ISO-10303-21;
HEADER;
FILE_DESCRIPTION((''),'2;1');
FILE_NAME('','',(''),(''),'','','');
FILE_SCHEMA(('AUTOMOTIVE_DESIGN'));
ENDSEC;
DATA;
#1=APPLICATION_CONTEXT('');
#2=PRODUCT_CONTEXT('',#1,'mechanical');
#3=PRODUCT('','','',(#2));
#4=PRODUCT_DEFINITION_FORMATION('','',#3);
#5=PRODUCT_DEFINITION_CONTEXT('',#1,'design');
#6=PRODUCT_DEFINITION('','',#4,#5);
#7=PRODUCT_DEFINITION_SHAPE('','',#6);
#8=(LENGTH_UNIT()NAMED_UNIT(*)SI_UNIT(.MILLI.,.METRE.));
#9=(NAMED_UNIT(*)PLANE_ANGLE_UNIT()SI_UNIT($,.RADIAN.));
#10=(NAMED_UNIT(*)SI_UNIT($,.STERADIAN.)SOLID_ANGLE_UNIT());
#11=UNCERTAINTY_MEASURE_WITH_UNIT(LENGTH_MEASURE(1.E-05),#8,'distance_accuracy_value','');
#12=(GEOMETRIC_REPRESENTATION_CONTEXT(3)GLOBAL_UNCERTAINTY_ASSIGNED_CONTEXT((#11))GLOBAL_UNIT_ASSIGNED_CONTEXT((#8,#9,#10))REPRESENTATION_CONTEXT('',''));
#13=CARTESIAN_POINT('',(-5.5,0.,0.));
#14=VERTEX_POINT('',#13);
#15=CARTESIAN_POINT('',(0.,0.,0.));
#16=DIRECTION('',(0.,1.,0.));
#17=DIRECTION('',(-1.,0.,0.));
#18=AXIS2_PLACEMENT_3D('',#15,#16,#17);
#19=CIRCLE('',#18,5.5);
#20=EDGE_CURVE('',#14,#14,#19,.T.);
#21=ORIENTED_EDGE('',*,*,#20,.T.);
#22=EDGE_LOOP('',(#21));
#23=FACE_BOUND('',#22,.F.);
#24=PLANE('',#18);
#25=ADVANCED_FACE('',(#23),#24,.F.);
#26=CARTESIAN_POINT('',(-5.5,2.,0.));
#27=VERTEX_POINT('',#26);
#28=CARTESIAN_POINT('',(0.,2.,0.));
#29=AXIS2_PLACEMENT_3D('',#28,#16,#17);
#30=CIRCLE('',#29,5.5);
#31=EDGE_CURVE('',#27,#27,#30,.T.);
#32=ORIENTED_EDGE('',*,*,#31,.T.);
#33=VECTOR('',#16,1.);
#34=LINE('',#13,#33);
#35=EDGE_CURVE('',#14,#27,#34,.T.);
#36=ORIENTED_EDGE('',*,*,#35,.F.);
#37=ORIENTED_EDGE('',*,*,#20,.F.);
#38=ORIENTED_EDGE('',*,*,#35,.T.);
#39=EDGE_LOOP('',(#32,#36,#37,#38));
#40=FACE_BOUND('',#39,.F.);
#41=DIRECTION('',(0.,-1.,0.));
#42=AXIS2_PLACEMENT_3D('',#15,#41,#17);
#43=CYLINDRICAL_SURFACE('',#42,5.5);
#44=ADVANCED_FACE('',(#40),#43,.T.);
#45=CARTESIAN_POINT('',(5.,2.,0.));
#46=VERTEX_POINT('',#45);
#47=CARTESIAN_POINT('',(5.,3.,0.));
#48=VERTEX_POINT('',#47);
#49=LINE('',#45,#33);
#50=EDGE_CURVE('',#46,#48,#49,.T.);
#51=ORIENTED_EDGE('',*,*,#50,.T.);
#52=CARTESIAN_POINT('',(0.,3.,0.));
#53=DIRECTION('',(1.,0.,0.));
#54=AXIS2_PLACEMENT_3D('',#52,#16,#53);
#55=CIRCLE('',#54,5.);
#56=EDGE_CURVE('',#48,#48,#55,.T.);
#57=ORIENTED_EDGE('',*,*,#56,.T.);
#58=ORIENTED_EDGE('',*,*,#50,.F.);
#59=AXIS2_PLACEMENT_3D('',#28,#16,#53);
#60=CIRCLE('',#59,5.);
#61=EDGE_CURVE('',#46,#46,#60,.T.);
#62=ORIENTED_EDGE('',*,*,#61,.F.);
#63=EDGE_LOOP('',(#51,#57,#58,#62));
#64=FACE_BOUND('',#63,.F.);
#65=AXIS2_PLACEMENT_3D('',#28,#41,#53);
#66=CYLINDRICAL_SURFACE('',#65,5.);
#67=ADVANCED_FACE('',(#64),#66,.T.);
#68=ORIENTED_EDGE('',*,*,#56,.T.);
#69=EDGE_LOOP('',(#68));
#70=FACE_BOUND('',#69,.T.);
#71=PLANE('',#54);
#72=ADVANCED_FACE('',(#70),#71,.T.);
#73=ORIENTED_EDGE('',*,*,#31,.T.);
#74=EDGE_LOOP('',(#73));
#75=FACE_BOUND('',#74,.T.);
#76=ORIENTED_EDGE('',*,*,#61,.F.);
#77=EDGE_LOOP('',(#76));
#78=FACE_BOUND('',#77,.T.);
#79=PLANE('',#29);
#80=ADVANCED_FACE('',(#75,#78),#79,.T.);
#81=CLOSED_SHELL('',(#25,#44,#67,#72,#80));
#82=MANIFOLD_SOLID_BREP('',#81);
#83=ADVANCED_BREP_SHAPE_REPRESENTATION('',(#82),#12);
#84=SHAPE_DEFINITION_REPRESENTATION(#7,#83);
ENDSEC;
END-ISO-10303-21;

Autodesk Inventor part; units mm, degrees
ref_plane "YZ Plane" through (0, 0, 0) normal (1, 0, 0) x (0, 1, 0)
ref_plane "XZ Plane" through (0, 0, 0) normal (0, 1, 0) x (-1, 0, 0)
ref_plane "XY Plane" through (0, 0, 0) normal (0, 0, 1) x (1, 0, 0)
sketch "Sketch1" plane through (0, 0, 0) normal (0, 1, 0) x (-1, 0, 0)
  circle A0 centre (0, 0) radius 5.5
  dimension "d0" = 11
extrude "Extrusion1" add sketch "Sketch1" along normal blind 2
sketch "Sketch2" plane through (0, 2, 0) normal (0, 1, 0) x (1, 0, 0)
  circle A0 centre (0, 0) radius 5
  dimension "d3" = 10
extrude "Extrusion2" add sketch "Sketch2" along normal blind 1
properties part number "Filtro"
